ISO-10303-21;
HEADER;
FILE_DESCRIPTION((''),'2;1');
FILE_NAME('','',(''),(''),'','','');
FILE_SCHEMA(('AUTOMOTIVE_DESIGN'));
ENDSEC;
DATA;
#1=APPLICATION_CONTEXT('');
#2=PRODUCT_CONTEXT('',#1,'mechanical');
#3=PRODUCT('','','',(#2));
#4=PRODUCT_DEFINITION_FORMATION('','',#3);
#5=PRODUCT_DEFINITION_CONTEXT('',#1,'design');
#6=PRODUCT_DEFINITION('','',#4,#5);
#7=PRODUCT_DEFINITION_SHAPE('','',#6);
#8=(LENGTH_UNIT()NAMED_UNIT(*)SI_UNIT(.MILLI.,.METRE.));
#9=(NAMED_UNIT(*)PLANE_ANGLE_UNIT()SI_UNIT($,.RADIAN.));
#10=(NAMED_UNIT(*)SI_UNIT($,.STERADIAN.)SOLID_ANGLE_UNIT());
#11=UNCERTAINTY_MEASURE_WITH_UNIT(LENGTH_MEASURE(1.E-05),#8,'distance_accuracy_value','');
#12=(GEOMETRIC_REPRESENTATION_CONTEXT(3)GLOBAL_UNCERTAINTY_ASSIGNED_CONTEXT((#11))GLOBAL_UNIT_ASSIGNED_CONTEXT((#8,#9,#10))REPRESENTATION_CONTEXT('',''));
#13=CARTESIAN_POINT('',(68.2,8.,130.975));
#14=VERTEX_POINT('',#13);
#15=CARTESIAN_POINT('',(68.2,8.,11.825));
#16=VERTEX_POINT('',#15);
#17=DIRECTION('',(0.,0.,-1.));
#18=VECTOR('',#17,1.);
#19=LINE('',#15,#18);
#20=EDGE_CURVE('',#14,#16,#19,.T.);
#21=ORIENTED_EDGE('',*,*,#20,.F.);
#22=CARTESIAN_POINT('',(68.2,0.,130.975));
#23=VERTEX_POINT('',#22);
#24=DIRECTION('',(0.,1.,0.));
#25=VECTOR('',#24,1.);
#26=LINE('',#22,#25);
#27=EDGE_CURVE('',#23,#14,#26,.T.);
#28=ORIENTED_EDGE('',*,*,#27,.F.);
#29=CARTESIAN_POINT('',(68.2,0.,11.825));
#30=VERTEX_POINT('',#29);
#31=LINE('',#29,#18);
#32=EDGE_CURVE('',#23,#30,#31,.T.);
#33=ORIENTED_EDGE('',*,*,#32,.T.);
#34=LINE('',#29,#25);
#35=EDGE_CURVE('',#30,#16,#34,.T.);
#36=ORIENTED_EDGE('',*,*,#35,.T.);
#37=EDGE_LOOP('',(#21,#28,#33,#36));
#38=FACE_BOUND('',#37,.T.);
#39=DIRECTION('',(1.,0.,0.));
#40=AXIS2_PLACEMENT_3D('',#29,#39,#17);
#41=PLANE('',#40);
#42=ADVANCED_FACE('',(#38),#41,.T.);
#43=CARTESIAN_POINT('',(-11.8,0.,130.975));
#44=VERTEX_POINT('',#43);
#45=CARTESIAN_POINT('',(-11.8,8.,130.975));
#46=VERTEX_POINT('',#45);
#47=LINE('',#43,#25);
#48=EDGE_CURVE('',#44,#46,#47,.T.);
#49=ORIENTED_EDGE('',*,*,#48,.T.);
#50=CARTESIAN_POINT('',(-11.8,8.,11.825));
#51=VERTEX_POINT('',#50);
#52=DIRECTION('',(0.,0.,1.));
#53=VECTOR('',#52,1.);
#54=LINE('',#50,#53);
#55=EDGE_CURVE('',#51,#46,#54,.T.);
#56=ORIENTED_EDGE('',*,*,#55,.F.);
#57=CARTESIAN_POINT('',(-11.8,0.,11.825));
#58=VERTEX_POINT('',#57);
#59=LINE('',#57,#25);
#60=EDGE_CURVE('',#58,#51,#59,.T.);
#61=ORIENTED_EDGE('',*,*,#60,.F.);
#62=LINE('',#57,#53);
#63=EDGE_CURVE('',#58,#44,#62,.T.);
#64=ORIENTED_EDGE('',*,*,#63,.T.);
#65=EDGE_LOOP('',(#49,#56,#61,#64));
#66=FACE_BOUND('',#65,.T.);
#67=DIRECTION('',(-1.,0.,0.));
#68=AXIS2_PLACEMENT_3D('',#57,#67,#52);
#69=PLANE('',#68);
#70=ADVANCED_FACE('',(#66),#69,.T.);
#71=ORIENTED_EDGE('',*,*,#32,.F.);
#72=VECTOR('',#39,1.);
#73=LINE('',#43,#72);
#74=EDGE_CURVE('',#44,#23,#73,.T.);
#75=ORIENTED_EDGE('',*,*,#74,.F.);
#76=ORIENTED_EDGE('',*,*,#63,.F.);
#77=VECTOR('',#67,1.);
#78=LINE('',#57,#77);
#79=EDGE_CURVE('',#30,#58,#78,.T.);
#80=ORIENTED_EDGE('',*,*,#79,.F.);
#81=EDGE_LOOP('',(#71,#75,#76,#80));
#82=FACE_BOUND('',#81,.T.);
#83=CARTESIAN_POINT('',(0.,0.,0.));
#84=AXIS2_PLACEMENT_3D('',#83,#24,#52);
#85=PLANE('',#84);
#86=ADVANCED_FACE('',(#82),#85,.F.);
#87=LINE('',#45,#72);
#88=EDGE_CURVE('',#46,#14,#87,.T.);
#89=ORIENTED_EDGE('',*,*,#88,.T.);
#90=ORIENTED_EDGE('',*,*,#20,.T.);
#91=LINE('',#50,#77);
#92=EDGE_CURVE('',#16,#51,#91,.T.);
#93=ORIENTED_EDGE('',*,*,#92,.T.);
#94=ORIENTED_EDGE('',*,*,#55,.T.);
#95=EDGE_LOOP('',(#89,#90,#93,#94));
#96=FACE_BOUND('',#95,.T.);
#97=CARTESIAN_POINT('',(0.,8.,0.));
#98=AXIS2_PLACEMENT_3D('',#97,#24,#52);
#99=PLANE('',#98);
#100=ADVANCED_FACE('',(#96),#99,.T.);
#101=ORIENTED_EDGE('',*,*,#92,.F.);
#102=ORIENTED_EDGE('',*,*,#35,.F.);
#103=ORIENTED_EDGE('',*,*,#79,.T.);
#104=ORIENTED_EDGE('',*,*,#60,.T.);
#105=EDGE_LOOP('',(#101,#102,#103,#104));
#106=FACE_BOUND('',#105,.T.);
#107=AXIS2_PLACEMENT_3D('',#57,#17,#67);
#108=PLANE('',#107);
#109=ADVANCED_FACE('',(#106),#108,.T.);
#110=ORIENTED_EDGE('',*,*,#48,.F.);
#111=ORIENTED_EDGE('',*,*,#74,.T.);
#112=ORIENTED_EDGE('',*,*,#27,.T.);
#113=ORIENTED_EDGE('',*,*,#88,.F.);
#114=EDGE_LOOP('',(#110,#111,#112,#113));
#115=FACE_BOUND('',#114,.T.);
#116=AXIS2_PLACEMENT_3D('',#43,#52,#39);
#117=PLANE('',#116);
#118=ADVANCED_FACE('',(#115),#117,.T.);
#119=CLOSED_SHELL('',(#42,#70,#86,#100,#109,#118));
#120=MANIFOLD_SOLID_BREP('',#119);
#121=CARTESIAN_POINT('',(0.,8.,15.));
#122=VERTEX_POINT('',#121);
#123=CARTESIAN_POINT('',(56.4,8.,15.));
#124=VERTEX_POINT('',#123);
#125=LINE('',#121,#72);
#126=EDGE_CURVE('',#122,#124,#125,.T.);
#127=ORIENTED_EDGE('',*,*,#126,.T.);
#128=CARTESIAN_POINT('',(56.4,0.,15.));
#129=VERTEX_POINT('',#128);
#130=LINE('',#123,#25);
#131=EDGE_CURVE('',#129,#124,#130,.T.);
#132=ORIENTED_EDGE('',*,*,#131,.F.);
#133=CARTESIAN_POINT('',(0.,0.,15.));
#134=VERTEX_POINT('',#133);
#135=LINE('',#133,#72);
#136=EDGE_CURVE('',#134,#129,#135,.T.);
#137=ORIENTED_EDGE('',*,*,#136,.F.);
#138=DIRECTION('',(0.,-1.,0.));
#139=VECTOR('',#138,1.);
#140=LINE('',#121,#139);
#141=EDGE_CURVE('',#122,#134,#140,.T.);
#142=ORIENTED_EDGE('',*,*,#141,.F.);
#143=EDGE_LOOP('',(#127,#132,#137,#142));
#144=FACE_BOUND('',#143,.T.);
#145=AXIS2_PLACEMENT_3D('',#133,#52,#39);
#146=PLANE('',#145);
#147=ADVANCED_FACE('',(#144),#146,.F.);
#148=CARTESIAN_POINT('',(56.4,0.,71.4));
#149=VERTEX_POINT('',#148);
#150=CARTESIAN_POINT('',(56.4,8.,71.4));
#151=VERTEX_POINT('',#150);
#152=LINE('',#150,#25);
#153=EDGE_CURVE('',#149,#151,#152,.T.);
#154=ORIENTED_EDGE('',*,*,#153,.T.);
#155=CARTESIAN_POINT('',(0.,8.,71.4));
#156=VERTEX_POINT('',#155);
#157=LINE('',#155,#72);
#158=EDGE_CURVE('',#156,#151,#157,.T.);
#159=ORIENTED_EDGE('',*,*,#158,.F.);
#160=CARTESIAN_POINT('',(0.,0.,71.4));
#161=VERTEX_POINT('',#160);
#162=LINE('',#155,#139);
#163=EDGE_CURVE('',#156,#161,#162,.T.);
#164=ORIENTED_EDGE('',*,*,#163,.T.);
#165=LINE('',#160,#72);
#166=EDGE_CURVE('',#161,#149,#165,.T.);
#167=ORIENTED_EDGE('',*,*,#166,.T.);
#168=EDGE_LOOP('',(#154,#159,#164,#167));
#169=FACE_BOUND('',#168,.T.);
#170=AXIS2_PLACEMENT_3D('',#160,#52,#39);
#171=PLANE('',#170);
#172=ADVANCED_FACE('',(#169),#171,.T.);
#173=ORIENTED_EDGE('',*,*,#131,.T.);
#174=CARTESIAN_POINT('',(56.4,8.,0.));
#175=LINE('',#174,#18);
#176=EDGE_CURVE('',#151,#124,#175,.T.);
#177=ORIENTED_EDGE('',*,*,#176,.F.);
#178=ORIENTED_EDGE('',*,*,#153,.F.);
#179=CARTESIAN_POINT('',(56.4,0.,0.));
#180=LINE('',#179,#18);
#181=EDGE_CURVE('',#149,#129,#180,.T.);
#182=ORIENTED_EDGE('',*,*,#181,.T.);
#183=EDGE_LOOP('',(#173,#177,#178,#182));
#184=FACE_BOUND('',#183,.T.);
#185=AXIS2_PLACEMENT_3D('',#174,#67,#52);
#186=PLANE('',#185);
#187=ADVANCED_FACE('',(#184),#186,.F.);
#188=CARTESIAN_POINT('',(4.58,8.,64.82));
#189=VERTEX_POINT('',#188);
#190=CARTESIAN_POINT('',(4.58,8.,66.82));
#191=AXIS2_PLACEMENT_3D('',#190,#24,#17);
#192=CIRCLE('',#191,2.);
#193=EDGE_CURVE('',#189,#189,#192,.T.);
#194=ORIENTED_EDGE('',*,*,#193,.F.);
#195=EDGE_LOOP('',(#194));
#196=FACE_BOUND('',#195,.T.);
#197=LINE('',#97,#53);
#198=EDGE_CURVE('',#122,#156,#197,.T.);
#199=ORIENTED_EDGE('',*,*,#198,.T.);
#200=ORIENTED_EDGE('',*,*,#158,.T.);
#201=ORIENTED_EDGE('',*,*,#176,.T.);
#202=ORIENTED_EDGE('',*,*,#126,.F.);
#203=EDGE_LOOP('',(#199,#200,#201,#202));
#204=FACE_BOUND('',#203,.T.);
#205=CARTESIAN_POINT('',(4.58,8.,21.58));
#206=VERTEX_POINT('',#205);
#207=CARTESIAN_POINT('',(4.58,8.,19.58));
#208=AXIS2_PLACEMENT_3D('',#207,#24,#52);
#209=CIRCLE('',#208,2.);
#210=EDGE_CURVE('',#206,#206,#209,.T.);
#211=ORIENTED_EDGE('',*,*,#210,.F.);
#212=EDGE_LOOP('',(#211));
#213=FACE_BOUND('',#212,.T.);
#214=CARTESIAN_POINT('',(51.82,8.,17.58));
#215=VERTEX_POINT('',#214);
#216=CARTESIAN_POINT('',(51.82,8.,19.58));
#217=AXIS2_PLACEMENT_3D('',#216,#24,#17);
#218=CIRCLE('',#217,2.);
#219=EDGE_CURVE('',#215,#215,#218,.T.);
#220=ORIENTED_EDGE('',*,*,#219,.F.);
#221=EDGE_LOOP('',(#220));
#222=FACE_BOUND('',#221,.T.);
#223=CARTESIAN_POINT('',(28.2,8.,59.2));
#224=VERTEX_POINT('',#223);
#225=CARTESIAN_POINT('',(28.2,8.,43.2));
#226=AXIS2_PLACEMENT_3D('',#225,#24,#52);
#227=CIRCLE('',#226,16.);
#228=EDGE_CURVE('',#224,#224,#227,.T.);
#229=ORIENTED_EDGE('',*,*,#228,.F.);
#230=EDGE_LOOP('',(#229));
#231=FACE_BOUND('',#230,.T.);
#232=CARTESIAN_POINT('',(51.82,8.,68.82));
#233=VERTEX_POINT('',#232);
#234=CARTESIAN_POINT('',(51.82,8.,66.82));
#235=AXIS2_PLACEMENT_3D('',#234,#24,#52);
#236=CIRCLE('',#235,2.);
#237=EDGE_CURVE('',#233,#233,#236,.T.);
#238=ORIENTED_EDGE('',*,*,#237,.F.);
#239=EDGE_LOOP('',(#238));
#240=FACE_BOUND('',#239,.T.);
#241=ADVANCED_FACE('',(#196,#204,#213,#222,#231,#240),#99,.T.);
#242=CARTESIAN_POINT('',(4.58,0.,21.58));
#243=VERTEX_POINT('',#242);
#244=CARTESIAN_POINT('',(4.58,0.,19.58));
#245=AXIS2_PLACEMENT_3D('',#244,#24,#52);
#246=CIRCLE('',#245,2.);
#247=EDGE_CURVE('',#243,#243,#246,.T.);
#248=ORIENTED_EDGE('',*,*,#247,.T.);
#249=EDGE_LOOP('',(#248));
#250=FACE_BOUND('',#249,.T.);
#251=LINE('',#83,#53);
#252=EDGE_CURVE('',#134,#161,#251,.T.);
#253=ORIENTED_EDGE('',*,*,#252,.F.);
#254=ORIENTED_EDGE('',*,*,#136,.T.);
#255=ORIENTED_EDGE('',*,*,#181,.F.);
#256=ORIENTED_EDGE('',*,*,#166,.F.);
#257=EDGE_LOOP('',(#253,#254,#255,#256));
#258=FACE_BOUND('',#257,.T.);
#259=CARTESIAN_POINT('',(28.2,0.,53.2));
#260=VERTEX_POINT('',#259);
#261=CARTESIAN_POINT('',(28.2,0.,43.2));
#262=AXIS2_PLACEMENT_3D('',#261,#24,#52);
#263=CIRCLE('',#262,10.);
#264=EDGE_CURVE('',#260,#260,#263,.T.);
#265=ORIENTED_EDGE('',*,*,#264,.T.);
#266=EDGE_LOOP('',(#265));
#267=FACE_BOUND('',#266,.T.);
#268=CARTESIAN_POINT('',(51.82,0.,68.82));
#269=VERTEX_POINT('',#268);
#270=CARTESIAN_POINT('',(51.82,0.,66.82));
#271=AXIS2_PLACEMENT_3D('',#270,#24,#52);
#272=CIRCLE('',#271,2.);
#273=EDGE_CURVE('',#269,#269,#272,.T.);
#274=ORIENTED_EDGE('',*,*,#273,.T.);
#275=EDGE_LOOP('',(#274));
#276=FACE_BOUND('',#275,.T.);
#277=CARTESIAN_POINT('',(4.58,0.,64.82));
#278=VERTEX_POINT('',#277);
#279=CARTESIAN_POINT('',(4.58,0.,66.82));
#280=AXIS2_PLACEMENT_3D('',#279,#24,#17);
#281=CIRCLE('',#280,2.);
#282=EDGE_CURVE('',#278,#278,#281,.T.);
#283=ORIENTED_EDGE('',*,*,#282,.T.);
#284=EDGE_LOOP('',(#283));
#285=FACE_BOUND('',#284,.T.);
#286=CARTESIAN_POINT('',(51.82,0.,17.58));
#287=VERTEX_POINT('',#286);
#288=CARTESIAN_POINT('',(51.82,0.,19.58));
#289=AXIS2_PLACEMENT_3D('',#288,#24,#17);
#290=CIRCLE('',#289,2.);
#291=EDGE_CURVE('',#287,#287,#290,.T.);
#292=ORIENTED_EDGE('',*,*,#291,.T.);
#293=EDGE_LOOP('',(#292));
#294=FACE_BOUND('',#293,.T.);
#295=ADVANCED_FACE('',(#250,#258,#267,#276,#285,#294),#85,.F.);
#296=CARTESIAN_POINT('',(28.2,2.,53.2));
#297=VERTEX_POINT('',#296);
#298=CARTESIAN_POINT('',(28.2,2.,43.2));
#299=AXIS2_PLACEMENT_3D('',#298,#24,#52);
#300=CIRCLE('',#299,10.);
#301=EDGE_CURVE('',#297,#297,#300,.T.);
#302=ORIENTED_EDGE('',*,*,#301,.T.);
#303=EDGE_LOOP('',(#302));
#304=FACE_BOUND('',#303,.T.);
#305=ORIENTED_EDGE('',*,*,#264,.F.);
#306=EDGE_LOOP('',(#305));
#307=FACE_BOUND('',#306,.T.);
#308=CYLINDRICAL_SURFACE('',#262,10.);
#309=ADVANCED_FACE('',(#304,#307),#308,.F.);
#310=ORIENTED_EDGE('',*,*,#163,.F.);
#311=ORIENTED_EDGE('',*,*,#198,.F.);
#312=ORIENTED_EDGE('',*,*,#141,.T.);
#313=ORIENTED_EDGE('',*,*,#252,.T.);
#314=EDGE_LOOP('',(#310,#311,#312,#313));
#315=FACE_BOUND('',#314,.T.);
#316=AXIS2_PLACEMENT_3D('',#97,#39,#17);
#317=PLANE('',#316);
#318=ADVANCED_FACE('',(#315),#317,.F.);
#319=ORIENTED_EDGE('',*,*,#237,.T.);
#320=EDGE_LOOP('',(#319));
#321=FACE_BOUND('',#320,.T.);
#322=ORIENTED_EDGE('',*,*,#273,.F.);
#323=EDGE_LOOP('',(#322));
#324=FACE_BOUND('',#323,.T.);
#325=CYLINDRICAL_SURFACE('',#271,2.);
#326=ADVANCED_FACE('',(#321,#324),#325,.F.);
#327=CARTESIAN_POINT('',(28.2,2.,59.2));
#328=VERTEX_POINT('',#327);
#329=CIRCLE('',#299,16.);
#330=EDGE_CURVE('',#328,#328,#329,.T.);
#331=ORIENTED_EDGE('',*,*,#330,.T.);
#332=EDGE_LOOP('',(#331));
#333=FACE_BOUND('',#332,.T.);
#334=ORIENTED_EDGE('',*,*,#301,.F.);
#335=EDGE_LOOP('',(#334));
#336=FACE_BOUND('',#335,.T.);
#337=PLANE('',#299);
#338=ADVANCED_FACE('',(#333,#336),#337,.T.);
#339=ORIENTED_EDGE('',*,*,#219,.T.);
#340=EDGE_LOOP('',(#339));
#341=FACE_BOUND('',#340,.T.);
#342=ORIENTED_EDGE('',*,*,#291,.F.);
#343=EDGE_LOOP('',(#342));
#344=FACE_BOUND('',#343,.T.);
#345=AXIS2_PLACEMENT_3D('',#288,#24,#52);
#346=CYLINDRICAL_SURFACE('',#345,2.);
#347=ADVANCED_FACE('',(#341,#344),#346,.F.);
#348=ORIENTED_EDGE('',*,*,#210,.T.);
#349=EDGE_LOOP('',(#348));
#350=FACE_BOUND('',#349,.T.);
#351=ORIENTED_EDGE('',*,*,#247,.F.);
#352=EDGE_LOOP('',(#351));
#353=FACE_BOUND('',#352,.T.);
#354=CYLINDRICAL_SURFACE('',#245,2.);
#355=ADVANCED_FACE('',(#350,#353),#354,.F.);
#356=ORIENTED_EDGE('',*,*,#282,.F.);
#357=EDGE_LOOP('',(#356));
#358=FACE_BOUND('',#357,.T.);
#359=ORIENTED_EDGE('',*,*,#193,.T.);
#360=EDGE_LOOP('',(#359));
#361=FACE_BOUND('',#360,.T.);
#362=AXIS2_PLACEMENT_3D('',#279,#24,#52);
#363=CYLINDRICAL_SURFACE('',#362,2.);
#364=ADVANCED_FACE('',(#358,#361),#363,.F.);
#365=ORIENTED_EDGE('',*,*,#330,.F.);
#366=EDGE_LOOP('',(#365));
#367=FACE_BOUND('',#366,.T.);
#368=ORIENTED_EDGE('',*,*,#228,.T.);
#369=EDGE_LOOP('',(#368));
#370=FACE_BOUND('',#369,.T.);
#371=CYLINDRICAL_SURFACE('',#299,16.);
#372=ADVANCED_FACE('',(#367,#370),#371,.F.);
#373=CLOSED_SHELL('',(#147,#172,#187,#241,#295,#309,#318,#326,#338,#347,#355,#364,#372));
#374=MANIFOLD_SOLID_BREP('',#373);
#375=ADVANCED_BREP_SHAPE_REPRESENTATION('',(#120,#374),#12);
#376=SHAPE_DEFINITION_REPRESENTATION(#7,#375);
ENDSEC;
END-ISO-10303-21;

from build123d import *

# Parameters (mm, degrees)
SKETCH1_W           = 56.4
SKETCH1_H           = 142.8
BOSS_EXTRUDE1_DEPTH = 8
SKETCH2_R           = 16
CUT_EXTRUDE1_DEPTH  = 6
SKETCH3_R           = 10
CUT_EXTRUDE2_DEPTH  = 154.651553848
SKETCH4_R           = 2
CUT_EXTRUDE3_DEPTH  = 154.7426421
FILLET2_R           = 3
SKETCH6_W           = 80
SKETCH6_H           = 119.15
BOSS_EXTRUDE2_DEPTH = 8
SKETCH9_R           = 2
CUT_EXTRUDE5_DEPTH  = 10


with BuildPart() as part:
    # Sketch1 → Boss-Extrude1 (new body)
    with BuildSketch(Plane(origin=(0, 0, 0), x_dir=(1, 0, 0), z_dir=(0, 1, 0))):
        with Locations((28.2, -71.4)):
            Rectangle(SKETCH1_W, SKETCH1_H)
    extrude(amount=BOSS_EXTRUDE1_DEPTH)

    # Sketch2 → Cut-Extrude1 (cut)
    with BuildSketch(Plane(origin=(0, 8, 0), x_dir=(1, 0, 0), z_dir=(0, 1, 0))):
        with Locations(Location((28.2, -43.2, 0), (0, 0, 270))):
            Circle(SKETCH2_R)
    extrude(amount=-CUT_EXTRUDE1_DEPTH, mode=Mode.SUBTRACT)

    # Sketch3 → Cut-Extrude2 (cut, through all)
    with BuildSketch(Plane(origin=(0, 2, 0), x_dir=(1, 0, 0), z_dir=(0, 1, 0))):
        with Locations(Location((28.2, -43.2, 0), (0, 0, 270))):
            Circle(SKETCH3_R)
    extrude(amount=-CUT_EXTRUDE2_DEPTH, mode=Mode.SUBTRACT)

    # Sketch4 → Cut-Extrude3 (cut, through all)
    with BuildSketch(Plane(origin=(0, 8, 0), x_dir=(1, 0, 0), z_dir=(0, 1, 0))):
        with Locations(Location((4.58, -19.58, 0), (0, 0, 270))):
            Circle(SKETCH4_R)
        with Locations(Location((51.82, -19.58, 0), (0, 0, 90))):
            Circle(SKETCH4_R)
        with Locations(Location((51.82, -66.82, 0), (0, 0, 270))):
            Circle(SKETCH4_R)
        with Locations(Location((4.58, -66.82, 0), (0, 0, 90))):
            Circle(SKETCH4_R)
    cut_extrude3 = extrude(amount=-CUT_EXTRUDE3_DEPTH, mode=Mode.SUBTRACT)

    # Mirror1: Cut-Extrude3 across plane
    add(cut_extrude3.mirror(Plane.XY.offset(71.4)), mode=Mode.SUBTRACT)

    # Fillet2
    fillet2_edges = [part.edges().sort_by_distance(p)[0] for p in [
        (0, 4, 0),
        (56.4, 4, 0),
        (56.4, 4, 142.8),
        (0, 4, 142.8),
    ]]
    fillet(fillet2_edges, radius=FILLET2_R)

    # Sketch9 → Cut-Extrude5 (cut)
    with BuildSketch(Plane(origin=(0, 8, 0), x_dir=(1, 0, 0), z_dir=(0, 1, 0))):
        with Locations(Location((7.5, -7.5, 0), (0, 0, 270))):
            Circle(SKETCH9_R)
        with Locations(Location((28.2, -7.5, 0), (0, 0, 270))):
            Circle(SKETCH9_R)
        with Locations(Location((48.9, -7.5, 0), (0, 0, 270))):
            Circle(SKETCH9_R)
    cut_extrude5 = extrude(amount=-CUT_EXTRUDE5_DEPTH, mode=Mode.SUBTRACT)

    # Mirror2: Cut-Extrude5 across plane
    add(cut_extrude5.mirror(Plane.XY.offset(71.4)), mode=Mode.SUBTRACT)

    # SurfaceCut1
    split(bisect_by=Plane.XY.offset(71.4), keep=Keep.BOTTOM)

    # SurfaceCut2
    split(bisect_by=Plane.XY.offset(15), keep=Keep.TOP)


with BuildPart() as body_2:
    # Sketch6 → Boss-Extrude2 (new body)
    with BuildSketch(Plane(origin=(0, 8, 0), x_dir=(1, 0, 0), z_dir=(0, 1, 0))):
        with Locations((28.2, -71.4)):
            Rectangle(SKETCH6_W, SKETCH6_H)
    extrude(amount=-BOSS_EXTRUDE2_DEPTH)


solid = Compound([part.part, body_2.part])
